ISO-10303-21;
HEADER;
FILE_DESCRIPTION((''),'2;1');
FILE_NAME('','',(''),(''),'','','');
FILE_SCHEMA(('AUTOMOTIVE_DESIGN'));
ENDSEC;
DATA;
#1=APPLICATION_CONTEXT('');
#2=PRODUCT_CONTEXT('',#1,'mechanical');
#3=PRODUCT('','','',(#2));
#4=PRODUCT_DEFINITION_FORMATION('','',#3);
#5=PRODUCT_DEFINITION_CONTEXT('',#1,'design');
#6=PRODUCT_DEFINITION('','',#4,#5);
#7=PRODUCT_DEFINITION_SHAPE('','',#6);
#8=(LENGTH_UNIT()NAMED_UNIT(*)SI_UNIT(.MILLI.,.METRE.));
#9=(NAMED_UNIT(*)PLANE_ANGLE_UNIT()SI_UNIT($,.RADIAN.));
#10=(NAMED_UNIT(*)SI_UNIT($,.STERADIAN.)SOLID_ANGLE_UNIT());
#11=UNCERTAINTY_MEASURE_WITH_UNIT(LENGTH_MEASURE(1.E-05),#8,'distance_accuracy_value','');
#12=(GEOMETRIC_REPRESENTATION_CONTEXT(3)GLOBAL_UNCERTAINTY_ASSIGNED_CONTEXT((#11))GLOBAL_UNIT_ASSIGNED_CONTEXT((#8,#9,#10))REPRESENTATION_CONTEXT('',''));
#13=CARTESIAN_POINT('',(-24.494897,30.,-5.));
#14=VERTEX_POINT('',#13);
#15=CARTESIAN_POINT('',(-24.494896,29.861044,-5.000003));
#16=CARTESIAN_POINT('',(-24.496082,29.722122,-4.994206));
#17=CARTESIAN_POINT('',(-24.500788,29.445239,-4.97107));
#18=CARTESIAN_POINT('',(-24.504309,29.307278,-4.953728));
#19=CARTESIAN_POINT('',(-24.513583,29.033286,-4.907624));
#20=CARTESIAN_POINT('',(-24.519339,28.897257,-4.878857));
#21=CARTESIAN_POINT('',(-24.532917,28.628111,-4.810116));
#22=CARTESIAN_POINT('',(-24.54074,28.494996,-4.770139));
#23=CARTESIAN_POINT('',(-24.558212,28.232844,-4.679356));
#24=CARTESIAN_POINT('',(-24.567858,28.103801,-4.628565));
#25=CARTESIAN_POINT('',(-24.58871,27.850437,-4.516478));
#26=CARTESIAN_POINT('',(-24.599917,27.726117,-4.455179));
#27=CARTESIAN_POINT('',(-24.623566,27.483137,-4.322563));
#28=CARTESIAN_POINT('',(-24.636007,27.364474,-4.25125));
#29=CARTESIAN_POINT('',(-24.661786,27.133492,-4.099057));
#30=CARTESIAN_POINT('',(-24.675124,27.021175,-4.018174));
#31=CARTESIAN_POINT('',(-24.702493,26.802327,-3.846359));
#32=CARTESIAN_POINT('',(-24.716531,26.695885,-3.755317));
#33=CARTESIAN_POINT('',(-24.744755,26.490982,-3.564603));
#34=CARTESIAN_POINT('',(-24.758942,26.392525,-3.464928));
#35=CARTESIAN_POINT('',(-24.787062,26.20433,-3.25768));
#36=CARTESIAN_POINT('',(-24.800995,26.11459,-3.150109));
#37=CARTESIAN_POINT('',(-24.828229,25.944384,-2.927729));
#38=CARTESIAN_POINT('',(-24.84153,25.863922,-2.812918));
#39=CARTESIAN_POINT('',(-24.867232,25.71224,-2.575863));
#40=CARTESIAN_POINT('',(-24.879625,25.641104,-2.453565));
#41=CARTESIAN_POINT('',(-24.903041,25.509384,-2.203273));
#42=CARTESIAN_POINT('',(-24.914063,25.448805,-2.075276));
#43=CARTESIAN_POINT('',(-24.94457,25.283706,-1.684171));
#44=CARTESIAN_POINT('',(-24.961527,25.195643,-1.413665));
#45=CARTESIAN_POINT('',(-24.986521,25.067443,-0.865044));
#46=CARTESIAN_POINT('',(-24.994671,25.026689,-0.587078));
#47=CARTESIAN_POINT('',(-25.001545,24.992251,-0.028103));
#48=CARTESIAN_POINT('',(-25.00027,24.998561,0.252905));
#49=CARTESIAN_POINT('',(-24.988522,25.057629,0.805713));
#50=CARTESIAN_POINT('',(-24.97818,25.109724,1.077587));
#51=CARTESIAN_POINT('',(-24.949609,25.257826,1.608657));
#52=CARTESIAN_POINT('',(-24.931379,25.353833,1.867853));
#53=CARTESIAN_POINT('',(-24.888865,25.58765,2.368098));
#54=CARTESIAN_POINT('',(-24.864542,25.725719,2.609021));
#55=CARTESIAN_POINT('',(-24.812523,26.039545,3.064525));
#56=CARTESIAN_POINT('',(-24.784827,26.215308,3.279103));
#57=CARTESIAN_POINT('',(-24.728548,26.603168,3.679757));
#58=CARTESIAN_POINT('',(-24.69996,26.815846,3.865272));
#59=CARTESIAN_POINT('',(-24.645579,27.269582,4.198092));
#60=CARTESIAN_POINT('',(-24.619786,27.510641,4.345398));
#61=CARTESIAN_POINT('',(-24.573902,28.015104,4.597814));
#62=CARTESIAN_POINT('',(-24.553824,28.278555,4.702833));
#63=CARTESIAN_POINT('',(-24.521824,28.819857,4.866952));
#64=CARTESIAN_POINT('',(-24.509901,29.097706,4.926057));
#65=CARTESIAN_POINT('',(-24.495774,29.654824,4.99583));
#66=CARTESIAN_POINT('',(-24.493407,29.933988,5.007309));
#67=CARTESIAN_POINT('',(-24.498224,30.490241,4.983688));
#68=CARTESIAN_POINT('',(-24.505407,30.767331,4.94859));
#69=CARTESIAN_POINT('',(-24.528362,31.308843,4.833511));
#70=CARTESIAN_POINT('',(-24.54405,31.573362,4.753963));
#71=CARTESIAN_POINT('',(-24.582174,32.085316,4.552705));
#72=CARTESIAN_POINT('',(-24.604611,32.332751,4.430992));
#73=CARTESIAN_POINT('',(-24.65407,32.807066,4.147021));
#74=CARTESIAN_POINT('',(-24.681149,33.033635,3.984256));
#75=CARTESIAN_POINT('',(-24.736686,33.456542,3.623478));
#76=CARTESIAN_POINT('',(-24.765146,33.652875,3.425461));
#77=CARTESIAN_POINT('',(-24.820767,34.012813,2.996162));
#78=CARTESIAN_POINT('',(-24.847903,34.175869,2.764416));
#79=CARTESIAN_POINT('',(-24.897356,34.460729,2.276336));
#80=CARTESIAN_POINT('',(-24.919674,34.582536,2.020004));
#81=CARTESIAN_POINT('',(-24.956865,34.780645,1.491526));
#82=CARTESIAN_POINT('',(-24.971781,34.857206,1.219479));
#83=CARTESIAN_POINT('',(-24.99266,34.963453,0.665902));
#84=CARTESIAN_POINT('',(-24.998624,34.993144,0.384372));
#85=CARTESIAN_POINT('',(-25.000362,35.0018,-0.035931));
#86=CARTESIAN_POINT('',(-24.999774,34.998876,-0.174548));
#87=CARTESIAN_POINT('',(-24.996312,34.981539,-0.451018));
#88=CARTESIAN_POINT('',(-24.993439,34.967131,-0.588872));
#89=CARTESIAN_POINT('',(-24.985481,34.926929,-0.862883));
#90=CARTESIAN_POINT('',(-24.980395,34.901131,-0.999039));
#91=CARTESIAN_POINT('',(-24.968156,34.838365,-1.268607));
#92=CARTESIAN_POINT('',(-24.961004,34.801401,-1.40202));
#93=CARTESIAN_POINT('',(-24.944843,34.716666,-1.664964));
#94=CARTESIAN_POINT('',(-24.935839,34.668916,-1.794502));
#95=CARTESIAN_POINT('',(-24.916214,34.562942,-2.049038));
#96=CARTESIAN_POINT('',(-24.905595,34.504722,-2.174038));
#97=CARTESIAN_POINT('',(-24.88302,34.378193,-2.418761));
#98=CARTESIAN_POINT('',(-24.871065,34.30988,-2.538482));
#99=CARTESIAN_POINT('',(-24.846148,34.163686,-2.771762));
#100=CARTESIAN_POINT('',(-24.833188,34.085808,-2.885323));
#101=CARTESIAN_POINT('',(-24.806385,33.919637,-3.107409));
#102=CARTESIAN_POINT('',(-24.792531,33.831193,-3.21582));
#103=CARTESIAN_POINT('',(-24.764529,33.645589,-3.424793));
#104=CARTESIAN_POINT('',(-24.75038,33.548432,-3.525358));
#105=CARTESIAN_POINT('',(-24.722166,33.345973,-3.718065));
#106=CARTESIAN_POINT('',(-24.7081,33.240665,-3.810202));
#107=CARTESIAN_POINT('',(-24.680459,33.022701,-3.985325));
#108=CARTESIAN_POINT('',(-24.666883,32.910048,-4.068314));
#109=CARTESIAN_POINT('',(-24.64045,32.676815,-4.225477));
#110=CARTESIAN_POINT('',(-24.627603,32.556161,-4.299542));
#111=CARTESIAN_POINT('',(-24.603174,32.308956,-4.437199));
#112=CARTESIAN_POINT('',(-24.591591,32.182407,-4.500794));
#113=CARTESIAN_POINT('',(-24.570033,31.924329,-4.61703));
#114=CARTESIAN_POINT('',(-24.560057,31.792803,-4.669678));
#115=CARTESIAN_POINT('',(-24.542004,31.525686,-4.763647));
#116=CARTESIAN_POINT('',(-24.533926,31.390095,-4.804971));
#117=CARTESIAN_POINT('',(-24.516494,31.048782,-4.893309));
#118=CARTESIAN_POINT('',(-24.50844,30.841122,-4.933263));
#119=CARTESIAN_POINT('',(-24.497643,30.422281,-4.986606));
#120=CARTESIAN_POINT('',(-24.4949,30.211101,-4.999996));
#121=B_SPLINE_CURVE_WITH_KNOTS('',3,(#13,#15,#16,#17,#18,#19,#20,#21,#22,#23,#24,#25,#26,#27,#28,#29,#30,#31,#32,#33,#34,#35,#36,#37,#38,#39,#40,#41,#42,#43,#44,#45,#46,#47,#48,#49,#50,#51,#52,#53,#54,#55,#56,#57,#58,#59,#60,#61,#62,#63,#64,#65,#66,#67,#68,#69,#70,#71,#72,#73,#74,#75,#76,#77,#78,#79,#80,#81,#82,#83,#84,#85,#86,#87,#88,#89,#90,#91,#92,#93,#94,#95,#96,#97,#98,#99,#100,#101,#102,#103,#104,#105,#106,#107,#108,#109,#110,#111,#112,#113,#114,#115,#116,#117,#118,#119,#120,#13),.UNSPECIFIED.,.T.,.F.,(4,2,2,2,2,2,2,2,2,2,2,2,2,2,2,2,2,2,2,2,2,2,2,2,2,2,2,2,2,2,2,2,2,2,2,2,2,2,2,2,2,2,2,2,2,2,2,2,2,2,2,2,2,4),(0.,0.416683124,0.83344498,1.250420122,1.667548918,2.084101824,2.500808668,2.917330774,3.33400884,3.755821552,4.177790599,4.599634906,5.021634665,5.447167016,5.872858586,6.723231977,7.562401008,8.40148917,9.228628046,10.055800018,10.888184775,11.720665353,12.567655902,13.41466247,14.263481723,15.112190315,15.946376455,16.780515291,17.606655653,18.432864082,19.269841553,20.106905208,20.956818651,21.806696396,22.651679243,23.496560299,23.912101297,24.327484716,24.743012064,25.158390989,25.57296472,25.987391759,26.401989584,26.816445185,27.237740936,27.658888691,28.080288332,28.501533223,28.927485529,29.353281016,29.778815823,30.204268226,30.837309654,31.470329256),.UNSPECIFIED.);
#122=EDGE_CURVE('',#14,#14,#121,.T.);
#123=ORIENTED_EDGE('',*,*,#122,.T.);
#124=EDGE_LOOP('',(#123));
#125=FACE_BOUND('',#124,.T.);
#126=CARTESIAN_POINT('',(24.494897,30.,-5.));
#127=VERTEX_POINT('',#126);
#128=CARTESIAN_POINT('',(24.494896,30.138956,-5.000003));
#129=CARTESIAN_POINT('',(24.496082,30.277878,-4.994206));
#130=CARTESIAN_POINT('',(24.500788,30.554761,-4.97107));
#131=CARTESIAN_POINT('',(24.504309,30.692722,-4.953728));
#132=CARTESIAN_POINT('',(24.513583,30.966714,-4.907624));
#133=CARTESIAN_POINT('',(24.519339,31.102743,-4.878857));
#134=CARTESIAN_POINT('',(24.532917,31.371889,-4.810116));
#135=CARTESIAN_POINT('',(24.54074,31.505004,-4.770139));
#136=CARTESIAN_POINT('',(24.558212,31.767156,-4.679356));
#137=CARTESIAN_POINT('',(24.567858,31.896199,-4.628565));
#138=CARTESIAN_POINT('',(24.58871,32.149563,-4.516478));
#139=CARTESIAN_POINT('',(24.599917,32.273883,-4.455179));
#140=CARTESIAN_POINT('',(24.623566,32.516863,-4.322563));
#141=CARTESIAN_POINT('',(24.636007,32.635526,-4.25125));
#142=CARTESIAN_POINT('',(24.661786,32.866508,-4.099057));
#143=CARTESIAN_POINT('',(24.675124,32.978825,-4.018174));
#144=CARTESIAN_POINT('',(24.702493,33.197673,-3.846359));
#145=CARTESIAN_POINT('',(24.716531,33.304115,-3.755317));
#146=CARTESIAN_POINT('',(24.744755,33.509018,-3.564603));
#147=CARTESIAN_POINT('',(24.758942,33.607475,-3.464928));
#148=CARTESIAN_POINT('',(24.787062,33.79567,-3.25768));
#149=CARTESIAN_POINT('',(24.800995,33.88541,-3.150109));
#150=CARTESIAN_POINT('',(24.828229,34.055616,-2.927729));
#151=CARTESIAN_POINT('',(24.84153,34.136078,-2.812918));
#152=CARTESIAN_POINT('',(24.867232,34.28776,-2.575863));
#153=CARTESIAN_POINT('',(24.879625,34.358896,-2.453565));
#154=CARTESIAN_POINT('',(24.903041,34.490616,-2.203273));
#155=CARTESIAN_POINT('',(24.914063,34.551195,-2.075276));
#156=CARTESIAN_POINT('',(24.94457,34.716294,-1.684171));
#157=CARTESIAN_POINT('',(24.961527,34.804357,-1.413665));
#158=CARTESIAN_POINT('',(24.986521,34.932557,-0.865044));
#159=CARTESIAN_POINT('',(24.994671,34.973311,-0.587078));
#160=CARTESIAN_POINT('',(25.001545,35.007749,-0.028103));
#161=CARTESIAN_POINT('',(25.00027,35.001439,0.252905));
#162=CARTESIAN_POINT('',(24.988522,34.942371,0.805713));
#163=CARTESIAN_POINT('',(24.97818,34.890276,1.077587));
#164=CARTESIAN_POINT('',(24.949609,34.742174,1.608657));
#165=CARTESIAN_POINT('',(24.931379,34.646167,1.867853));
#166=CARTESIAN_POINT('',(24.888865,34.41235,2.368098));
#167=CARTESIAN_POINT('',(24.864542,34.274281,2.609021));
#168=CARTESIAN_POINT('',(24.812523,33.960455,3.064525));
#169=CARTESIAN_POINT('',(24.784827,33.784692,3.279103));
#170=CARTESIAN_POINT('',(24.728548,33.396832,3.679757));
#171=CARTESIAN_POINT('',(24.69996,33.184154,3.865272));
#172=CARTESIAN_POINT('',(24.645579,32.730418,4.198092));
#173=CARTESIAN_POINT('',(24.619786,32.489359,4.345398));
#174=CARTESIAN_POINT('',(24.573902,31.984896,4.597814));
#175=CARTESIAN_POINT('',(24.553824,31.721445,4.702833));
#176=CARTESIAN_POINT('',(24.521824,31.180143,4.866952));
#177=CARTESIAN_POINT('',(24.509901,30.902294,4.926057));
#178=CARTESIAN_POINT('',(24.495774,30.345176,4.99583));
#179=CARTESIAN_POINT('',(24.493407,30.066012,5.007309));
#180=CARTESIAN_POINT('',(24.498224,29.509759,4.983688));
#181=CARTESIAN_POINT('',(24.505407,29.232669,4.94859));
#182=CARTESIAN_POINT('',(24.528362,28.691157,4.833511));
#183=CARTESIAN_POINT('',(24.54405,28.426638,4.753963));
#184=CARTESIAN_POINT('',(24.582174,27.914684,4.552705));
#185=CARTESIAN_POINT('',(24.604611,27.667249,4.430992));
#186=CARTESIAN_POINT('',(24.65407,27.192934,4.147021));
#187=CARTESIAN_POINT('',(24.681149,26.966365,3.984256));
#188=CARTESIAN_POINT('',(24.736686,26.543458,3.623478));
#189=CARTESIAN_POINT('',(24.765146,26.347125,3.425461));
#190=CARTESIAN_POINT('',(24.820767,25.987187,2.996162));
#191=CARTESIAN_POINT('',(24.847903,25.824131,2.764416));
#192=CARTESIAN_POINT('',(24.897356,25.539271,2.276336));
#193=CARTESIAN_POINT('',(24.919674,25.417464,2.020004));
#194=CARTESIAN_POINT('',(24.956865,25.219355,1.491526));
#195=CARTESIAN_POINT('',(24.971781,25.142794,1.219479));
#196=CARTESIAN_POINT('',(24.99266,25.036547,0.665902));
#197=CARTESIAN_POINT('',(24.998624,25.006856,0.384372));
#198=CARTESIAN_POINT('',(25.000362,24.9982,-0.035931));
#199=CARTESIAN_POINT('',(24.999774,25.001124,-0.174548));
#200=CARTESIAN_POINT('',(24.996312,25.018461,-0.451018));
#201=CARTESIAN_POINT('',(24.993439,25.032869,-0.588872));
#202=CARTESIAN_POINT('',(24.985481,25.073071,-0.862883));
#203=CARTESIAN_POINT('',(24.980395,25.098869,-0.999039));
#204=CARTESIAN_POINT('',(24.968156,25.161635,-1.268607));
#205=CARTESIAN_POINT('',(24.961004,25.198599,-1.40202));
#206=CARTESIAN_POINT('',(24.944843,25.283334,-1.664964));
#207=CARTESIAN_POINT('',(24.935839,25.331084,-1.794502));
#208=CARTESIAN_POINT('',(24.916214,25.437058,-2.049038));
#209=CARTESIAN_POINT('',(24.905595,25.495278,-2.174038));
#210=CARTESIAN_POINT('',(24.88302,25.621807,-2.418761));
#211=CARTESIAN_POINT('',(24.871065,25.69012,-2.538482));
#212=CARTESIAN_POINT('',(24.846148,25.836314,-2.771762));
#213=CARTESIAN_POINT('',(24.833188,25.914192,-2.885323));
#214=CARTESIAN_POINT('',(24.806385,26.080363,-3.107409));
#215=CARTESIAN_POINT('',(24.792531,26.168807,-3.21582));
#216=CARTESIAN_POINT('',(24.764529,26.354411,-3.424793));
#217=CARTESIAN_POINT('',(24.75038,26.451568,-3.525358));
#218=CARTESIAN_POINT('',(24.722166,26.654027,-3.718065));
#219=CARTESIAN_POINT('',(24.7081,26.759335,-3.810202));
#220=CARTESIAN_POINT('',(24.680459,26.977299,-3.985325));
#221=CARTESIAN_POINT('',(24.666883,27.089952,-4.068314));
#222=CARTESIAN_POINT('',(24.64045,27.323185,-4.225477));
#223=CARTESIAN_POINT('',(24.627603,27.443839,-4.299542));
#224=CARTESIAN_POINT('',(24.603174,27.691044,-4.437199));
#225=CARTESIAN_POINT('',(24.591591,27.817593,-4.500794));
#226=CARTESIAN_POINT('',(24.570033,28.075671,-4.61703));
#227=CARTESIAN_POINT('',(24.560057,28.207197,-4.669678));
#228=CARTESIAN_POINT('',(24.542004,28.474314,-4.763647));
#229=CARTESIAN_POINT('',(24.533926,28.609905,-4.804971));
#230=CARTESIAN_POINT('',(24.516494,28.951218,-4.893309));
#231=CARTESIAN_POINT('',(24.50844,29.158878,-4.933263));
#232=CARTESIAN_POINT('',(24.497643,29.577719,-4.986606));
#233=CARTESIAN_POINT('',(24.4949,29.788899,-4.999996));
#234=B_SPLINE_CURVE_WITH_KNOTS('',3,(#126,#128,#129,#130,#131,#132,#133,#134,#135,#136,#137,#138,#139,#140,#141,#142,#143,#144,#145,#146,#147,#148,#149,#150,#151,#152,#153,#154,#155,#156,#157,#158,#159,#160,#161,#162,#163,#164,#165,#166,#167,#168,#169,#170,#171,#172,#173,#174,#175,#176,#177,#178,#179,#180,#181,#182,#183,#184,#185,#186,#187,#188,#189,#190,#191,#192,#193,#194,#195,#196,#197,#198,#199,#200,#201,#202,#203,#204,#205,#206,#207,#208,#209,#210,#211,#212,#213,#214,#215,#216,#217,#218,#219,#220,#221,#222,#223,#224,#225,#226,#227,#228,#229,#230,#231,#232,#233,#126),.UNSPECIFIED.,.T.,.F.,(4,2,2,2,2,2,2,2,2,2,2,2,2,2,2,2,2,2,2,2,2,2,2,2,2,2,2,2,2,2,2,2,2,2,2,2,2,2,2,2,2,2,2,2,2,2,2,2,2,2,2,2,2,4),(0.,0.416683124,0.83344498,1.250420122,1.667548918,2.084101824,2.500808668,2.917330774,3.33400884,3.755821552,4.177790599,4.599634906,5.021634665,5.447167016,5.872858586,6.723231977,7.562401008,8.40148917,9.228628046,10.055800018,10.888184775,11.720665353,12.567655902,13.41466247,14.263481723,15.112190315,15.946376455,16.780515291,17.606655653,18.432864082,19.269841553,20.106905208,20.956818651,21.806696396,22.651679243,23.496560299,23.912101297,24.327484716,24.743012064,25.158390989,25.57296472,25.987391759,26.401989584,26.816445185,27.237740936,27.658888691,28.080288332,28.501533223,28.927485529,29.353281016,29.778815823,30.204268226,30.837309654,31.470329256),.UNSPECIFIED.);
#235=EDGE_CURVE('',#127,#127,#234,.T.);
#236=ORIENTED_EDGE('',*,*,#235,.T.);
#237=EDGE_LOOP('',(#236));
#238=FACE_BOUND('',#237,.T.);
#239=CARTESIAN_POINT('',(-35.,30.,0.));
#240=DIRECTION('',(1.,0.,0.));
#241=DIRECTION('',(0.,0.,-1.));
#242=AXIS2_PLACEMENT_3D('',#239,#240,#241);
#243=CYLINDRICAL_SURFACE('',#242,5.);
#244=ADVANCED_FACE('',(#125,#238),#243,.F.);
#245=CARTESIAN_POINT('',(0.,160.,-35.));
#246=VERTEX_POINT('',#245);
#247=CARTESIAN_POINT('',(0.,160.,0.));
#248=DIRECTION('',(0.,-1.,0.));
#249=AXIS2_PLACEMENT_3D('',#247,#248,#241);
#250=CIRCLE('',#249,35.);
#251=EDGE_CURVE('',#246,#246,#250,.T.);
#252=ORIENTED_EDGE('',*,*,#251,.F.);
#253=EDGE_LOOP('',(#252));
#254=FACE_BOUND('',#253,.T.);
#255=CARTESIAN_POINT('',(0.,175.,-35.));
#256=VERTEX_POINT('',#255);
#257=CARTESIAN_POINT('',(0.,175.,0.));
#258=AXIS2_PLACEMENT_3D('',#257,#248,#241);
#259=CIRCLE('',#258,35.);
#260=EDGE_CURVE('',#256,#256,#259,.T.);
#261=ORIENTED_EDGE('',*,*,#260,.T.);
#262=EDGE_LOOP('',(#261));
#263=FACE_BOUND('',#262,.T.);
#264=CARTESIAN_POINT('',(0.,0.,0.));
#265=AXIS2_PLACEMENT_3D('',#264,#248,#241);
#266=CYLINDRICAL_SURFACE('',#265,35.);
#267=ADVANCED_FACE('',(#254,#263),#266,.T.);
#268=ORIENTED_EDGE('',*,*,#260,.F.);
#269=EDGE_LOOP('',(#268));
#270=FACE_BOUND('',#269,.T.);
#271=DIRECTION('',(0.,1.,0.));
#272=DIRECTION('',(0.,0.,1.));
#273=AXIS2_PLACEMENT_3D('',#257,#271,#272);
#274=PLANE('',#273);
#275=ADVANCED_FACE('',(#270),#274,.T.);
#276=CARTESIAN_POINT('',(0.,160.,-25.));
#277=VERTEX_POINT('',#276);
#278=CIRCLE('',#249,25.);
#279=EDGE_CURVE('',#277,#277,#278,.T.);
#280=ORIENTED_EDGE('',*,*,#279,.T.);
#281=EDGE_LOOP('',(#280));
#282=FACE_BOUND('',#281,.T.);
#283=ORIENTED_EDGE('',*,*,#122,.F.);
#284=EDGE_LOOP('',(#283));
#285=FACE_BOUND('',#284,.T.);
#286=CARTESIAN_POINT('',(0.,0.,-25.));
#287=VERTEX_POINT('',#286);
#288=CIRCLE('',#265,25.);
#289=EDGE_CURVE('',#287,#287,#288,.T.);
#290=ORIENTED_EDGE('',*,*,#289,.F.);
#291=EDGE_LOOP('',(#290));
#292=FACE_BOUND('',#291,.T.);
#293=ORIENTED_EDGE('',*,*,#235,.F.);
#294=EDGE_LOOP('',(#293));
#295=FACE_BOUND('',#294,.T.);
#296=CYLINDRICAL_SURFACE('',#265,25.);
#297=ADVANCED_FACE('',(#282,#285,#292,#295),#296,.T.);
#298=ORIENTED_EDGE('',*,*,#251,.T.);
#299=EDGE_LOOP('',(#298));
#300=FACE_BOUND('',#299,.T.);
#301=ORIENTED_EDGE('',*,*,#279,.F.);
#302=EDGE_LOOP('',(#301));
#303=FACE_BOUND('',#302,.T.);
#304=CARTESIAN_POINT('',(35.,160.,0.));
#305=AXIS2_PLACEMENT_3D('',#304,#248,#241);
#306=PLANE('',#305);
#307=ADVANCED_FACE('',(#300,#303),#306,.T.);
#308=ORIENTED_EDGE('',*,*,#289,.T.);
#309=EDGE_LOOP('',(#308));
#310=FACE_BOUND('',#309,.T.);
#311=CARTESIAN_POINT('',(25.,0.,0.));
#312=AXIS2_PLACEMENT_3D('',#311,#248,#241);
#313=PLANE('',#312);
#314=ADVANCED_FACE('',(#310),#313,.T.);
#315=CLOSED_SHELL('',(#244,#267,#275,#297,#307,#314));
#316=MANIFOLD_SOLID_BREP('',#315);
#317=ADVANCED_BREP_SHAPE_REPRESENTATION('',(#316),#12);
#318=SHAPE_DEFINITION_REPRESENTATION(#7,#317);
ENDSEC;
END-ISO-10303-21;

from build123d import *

# Parameters (mm, degrees)
SKETCH2_R          = 5
CUT_EXTRUDE1_DEPTH = 189.281703838


with BuildPart() as part:
    # Sketch1 → Revolve1 (revolve)
    with BuildSketch(Plane.XY, mode=Mode.PRIVATE) as revolve1_sk:
        Polygon((0, 0), (0, 175), (35, 175), (35, 160), (25, 160), (25, 0), align=None)
    revolve(revolve1_sk.sketch.rotate(Axis((0, 0, 0), (0, 1, 0)), 90), axis=Axis((0, 0, 0), (0, 1, 0)))

    # Sketch2 → Cut-Extrude1 (cut, through all)
    with BuildSketch(Plane(origin=(25, 0, 0), x_dir=(0, 0, -1), z_dir=(1, 0, 0))):
        with Locations((0, 30)):
            Circle(SKETCH2_R)
    extrude(amount=-CUT_EXTRUDE1_DEPTH, mode=Mode.SUBTRACT)


solid = part.part
